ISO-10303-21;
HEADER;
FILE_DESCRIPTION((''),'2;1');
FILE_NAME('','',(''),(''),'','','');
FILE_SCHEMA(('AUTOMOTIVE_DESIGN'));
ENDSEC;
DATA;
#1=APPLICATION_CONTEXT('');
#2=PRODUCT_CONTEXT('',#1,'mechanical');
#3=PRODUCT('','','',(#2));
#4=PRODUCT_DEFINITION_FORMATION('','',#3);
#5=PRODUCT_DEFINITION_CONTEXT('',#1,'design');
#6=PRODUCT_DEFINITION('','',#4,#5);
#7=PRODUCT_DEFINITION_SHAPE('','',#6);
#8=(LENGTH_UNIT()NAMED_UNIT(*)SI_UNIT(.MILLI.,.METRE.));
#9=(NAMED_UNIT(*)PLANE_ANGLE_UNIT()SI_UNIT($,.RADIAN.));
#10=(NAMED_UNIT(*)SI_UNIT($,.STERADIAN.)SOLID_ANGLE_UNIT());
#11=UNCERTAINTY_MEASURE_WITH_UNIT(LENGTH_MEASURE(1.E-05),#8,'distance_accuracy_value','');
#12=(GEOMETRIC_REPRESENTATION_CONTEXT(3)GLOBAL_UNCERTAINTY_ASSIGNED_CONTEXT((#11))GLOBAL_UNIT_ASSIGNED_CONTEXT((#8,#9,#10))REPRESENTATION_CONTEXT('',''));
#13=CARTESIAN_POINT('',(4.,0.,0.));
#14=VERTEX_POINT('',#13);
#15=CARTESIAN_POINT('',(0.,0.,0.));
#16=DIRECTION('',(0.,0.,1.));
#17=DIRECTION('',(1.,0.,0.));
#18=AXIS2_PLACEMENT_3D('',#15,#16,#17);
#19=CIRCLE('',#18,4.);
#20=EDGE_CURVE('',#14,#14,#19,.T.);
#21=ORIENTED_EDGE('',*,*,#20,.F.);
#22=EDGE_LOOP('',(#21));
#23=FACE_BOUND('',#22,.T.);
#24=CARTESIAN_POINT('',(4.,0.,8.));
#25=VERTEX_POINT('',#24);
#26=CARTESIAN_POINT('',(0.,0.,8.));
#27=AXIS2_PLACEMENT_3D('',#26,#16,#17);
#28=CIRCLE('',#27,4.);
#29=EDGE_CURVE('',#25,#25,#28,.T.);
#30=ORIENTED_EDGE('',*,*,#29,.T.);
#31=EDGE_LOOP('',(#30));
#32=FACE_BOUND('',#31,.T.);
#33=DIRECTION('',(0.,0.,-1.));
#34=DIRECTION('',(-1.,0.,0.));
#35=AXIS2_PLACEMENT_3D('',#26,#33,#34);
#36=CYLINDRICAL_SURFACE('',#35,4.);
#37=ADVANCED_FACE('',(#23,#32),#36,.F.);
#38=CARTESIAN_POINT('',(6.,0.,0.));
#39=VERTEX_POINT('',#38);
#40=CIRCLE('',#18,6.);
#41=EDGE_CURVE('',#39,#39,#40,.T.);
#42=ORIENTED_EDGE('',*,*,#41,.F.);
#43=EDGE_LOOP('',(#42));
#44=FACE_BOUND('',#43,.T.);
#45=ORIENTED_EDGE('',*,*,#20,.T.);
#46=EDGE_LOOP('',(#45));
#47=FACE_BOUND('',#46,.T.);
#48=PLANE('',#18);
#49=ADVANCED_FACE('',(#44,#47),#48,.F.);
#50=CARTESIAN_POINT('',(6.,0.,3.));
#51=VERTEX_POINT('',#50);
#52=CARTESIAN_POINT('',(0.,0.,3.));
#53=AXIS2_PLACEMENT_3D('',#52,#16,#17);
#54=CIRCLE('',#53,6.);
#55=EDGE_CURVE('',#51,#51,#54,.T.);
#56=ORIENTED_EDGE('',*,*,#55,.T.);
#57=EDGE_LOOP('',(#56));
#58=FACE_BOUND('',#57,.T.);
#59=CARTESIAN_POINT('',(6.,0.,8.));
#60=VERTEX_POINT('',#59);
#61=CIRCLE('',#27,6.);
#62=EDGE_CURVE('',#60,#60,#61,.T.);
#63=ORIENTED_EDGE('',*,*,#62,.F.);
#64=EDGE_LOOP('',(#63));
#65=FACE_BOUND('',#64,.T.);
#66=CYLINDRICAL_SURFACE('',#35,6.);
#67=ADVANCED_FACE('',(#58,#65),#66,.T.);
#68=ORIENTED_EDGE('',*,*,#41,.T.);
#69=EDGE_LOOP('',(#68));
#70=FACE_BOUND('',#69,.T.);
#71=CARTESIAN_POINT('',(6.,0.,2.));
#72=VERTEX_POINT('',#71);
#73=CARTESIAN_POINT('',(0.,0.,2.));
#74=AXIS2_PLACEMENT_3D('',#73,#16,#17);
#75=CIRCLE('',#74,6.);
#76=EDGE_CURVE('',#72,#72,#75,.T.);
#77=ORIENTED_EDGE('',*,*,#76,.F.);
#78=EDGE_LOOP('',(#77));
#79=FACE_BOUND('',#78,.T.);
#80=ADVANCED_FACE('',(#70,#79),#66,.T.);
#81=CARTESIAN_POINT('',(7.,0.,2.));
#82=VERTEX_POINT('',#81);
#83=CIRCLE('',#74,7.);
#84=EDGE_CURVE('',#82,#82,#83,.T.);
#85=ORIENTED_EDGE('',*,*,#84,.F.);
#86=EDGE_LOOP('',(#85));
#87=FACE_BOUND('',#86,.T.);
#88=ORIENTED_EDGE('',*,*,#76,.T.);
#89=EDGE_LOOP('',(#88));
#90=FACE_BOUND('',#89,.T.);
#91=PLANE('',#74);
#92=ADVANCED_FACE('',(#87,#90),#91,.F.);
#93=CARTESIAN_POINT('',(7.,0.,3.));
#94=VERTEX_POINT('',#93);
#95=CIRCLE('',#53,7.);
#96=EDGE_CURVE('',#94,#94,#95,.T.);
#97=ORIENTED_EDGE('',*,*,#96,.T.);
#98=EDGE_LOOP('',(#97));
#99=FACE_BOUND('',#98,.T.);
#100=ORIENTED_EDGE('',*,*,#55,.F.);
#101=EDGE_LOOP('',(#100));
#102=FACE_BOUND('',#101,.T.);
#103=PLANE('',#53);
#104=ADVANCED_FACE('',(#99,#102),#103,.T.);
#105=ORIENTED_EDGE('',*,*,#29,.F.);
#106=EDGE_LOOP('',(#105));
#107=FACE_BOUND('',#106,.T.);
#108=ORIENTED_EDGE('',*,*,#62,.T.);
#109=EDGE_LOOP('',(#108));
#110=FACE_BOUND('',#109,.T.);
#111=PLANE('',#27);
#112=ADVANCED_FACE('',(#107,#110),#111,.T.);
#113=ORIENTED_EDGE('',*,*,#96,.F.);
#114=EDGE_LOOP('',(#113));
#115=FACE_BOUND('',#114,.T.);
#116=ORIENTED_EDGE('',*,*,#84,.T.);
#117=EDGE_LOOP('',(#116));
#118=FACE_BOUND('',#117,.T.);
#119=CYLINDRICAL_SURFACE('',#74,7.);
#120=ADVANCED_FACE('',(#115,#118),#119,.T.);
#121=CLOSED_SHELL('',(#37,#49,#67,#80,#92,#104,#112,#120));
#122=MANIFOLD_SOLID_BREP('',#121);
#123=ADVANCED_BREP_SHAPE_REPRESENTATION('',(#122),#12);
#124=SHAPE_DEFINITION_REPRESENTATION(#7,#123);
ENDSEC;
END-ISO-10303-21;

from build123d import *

# Parameters (mm, degrees)
SKETCH1_R           = 6
SKETCH1_R_2         = 4
BOSS_EXTRUDE1_DEPTH = 8
BOSS_EXTRUDE2_START = -6
SKETCH2_R           = 7
SKETCH2_R_2         = 4
BOSS_EXTRUDE2_DEPTH = 1


with BuildPart() as part:
    # Sketch1 → Boss-Extrude1 (new body)
    with BuildSketch(Plane.XY):
        Circle(SKETCH1_R)
        Circle(SKETCH1_R_2, mode=Mode.SUBTRACT)
    extrude(amount=BOSS_EXTRUDE1_DEPTH)

    # Sketch2 → Boss-Extrude2 (add)
    with BuildSketch(Plane.XY.offset(8).offset(BOSS_EXTRUDE2_START)):
        Circle(SKETCH2_R)
        Circle(SKETCH2_R_2, mode=Mode.SUBTRACT)
    extrude(amount=BOSS_EXTRUDE2_DEPTH)


solid = part.part
